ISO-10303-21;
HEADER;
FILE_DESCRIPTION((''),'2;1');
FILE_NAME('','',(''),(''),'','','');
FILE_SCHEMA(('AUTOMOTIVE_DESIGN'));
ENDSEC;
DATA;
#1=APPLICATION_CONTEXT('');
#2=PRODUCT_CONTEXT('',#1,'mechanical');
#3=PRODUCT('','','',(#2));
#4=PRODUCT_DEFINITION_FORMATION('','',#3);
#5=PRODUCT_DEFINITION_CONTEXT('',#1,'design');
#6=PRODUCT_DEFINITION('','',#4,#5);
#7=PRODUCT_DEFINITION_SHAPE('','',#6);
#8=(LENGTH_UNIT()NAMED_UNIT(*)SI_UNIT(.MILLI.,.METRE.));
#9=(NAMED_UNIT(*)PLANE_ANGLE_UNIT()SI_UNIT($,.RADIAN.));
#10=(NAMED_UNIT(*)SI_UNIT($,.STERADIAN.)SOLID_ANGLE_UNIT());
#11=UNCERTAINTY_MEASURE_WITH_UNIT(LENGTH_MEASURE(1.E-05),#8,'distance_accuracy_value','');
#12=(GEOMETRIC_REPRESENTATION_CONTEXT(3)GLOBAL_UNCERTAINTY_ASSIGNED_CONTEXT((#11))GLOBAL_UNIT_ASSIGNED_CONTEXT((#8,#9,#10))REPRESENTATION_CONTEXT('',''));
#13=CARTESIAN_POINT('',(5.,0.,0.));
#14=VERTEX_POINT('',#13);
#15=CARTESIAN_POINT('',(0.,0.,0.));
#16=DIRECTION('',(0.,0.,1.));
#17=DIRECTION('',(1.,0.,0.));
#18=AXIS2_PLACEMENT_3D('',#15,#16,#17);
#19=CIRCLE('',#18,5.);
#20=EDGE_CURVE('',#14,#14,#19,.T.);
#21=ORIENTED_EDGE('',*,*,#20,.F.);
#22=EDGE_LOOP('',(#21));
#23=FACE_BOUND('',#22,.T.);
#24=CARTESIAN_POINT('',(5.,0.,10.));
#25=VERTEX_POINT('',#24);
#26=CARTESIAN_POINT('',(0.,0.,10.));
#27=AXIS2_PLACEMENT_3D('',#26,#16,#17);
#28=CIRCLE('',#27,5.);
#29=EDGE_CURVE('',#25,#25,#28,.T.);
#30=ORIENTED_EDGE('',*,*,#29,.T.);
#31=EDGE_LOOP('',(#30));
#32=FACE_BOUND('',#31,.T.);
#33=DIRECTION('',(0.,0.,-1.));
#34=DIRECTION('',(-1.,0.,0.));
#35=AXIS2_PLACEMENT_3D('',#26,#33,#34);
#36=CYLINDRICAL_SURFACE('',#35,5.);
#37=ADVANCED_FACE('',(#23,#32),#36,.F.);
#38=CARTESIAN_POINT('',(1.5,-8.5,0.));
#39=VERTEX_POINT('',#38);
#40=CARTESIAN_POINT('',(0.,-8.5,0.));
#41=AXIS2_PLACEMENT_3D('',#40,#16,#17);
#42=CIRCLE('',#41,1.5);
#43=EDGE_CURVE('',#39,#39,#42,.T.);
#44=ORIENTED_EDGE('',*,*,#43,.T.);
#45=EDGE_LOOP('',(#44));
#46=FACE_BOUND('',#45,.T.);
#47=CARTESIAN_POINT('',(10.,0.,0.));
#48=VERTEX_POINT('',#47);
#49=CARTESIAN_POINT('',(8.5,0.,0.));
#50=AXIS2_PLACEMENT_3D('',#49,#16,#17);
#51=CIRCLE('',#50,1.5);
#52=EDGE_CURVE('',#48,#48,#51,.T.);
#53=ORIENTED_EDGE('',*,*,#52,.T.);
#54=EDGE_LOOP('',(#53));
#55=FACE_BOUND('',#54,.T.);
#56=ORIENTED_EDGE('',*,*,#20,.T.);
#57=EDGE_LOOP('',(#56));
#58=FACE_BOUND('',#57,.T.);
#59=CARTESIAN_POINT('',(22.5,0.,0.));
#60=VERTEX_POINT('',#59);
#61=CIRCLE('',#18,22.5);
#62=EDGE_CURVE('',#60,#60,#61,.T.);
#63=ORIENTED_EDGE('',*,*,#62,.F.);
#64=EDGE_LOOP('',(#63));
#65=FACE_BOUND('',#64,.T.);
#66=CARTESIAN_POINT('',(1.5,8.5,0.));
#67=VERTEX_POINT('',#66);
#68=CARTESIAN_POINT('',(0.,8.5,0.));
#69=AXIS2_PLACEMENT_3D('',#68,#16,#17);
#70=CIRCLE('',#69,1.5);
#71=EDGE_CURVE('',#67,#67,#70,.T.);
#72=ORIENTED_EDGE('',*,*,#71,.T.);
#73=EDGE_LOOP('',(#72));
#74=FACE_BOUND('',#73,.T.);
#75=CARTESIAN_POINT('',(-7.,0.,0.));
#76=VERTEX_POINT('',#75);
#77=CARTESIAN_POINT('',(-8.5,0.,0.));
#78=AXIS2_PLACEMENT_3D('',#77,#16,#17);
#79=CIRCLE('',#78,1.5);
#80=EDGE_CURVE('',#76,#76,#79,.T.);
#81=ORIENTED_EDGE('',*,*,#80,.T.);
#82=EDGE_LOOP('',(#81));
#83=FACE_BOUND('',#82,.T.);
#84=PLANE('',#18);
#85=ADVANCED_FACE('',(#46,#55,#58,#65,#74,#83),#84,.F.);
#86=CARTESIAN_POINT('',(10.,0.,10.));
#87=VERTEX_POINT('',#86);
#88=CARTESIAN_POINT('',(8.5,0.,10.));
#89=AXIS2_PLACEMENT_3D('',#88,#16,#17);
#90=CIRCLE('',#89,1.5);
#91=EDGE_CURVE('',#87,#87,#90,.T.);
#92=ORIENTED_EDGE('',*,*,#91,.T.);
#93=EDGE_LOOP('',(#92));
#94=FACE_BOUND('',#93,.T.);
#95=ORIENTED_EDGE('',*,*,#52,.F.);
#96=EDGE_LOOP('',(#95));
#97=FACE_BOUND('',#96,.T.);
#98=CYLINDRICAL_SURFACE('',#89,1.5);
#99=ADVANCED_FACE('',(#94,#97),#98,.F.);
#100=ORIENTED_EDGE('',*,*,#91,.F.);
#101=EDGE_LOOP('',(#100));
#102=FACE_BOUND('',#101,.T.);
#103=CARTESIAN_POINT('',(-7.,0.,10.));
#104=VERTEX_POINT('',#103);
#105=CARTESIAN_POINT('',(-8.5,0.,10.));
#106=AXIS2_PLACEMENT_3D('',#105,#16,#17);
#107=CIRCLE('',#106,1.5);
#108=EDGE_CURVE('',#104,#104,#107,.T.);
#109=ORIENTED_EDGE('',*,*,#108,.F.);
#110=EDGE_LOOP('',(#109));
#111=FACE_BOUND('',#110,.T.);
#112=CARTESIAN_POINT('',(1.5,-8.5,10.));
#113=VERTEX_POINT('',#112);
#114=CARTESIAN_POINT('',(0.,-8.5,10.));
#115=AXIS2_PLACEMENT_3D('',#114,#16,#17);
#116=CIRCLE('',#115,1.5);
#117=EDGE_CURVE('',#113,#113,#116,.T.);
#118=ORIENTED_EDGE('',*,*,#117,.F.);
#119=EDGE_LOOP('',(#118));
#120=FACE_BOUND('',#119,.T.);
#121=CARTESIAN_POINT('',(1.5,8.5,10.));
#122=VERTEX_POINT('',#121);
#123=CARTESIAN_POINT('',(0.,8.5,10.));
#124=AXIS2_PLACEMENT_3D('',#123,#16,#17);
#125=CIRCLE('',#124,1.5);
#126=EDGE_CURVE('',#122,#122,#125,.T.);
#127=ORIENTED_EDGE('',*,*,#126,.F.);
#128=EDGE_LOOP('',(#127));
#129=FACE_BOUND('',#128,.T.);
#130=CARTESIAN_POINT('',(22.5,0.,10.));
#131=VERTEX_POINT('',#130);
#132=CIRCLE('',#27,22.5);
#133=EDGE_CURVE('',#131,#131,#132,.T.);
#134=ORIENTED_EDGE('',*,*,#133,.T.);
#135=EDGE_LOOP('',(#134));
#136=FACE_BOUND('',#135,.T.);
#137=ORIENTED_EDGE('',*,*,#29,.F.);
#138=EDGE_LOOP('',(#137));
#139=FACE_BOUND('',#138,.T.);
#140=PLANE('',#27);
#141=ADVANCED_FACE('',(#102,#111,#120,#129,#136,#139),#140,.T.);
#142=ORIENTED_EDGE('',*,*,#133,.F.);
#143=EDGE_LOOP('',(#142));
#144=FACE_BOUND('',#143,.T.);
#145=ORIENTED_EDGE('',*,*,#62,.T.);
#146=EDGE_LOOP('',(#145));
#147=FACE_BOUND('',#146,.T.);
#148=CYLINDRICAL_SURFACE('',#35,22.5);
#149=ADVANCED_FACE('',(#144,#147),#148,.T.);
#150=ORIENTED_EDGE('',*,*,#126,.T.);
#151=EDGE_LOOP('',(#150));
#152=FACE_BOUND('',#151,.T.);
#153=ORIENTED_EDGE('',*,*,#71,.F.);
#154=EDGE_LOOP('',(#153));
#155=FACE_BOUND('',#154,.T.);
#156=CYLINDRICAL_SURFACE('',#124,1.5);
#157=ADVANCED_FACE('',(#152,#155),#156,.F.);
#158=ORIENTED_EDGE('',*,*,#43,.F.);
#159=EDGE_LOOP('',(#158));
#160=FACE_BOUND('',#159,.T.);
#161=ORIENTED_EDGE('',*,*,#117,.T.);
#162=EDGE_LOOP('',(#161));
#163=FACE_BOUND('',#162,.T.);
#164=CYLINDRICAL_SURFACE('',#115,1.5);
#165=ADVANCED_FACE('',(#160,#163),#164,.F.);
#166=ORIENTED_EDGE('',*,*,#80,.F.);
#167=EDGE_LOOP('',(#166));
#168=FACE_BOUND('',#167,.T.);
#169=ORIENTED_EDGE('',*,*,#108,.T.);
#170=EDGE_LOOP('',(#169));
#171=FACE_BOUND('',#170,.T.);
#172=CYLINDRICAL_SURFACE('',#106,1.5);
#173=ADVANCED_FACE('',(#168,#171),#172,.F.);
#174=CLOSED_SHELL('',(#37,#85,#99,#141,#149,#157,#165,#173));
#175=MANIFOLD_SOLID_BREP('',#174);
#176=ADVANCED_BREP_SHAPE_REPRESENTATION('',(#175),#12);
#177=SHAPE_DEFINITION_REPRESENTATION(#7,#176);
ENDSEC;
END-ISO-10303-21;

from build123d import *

# Parameters (mm, degrees)
ESQUISSE1_R        = 22.5
ESQUISSE1_R_2      = 5
BOSS_EXTRU_1_DEPTH = 10
D_GAGEMENT_M21_D   = 3


with BuildPart() as part:
    # Esquisse1 → Boss.-Extru.1 (new body)
    with BuildSketch(Plane.XY):
        Circle(ESQUISSE1_R)
        Circle(ESQUISSE1_R_2, mode=Mode.SUBTRACT)
    extrude(amount=BOSS_EXTRU_1_DEPTH)

    # Dégagement M21 (through all)
    with Locations(Plane.XY.offset(10)):
        with Locations((0, 8.5), (8.5, 0), (0, -8.5), (-8.5, 0), (0, 0)):
            Hole(D_GAGEMENT_M21_D / 2)


solid = part.part
